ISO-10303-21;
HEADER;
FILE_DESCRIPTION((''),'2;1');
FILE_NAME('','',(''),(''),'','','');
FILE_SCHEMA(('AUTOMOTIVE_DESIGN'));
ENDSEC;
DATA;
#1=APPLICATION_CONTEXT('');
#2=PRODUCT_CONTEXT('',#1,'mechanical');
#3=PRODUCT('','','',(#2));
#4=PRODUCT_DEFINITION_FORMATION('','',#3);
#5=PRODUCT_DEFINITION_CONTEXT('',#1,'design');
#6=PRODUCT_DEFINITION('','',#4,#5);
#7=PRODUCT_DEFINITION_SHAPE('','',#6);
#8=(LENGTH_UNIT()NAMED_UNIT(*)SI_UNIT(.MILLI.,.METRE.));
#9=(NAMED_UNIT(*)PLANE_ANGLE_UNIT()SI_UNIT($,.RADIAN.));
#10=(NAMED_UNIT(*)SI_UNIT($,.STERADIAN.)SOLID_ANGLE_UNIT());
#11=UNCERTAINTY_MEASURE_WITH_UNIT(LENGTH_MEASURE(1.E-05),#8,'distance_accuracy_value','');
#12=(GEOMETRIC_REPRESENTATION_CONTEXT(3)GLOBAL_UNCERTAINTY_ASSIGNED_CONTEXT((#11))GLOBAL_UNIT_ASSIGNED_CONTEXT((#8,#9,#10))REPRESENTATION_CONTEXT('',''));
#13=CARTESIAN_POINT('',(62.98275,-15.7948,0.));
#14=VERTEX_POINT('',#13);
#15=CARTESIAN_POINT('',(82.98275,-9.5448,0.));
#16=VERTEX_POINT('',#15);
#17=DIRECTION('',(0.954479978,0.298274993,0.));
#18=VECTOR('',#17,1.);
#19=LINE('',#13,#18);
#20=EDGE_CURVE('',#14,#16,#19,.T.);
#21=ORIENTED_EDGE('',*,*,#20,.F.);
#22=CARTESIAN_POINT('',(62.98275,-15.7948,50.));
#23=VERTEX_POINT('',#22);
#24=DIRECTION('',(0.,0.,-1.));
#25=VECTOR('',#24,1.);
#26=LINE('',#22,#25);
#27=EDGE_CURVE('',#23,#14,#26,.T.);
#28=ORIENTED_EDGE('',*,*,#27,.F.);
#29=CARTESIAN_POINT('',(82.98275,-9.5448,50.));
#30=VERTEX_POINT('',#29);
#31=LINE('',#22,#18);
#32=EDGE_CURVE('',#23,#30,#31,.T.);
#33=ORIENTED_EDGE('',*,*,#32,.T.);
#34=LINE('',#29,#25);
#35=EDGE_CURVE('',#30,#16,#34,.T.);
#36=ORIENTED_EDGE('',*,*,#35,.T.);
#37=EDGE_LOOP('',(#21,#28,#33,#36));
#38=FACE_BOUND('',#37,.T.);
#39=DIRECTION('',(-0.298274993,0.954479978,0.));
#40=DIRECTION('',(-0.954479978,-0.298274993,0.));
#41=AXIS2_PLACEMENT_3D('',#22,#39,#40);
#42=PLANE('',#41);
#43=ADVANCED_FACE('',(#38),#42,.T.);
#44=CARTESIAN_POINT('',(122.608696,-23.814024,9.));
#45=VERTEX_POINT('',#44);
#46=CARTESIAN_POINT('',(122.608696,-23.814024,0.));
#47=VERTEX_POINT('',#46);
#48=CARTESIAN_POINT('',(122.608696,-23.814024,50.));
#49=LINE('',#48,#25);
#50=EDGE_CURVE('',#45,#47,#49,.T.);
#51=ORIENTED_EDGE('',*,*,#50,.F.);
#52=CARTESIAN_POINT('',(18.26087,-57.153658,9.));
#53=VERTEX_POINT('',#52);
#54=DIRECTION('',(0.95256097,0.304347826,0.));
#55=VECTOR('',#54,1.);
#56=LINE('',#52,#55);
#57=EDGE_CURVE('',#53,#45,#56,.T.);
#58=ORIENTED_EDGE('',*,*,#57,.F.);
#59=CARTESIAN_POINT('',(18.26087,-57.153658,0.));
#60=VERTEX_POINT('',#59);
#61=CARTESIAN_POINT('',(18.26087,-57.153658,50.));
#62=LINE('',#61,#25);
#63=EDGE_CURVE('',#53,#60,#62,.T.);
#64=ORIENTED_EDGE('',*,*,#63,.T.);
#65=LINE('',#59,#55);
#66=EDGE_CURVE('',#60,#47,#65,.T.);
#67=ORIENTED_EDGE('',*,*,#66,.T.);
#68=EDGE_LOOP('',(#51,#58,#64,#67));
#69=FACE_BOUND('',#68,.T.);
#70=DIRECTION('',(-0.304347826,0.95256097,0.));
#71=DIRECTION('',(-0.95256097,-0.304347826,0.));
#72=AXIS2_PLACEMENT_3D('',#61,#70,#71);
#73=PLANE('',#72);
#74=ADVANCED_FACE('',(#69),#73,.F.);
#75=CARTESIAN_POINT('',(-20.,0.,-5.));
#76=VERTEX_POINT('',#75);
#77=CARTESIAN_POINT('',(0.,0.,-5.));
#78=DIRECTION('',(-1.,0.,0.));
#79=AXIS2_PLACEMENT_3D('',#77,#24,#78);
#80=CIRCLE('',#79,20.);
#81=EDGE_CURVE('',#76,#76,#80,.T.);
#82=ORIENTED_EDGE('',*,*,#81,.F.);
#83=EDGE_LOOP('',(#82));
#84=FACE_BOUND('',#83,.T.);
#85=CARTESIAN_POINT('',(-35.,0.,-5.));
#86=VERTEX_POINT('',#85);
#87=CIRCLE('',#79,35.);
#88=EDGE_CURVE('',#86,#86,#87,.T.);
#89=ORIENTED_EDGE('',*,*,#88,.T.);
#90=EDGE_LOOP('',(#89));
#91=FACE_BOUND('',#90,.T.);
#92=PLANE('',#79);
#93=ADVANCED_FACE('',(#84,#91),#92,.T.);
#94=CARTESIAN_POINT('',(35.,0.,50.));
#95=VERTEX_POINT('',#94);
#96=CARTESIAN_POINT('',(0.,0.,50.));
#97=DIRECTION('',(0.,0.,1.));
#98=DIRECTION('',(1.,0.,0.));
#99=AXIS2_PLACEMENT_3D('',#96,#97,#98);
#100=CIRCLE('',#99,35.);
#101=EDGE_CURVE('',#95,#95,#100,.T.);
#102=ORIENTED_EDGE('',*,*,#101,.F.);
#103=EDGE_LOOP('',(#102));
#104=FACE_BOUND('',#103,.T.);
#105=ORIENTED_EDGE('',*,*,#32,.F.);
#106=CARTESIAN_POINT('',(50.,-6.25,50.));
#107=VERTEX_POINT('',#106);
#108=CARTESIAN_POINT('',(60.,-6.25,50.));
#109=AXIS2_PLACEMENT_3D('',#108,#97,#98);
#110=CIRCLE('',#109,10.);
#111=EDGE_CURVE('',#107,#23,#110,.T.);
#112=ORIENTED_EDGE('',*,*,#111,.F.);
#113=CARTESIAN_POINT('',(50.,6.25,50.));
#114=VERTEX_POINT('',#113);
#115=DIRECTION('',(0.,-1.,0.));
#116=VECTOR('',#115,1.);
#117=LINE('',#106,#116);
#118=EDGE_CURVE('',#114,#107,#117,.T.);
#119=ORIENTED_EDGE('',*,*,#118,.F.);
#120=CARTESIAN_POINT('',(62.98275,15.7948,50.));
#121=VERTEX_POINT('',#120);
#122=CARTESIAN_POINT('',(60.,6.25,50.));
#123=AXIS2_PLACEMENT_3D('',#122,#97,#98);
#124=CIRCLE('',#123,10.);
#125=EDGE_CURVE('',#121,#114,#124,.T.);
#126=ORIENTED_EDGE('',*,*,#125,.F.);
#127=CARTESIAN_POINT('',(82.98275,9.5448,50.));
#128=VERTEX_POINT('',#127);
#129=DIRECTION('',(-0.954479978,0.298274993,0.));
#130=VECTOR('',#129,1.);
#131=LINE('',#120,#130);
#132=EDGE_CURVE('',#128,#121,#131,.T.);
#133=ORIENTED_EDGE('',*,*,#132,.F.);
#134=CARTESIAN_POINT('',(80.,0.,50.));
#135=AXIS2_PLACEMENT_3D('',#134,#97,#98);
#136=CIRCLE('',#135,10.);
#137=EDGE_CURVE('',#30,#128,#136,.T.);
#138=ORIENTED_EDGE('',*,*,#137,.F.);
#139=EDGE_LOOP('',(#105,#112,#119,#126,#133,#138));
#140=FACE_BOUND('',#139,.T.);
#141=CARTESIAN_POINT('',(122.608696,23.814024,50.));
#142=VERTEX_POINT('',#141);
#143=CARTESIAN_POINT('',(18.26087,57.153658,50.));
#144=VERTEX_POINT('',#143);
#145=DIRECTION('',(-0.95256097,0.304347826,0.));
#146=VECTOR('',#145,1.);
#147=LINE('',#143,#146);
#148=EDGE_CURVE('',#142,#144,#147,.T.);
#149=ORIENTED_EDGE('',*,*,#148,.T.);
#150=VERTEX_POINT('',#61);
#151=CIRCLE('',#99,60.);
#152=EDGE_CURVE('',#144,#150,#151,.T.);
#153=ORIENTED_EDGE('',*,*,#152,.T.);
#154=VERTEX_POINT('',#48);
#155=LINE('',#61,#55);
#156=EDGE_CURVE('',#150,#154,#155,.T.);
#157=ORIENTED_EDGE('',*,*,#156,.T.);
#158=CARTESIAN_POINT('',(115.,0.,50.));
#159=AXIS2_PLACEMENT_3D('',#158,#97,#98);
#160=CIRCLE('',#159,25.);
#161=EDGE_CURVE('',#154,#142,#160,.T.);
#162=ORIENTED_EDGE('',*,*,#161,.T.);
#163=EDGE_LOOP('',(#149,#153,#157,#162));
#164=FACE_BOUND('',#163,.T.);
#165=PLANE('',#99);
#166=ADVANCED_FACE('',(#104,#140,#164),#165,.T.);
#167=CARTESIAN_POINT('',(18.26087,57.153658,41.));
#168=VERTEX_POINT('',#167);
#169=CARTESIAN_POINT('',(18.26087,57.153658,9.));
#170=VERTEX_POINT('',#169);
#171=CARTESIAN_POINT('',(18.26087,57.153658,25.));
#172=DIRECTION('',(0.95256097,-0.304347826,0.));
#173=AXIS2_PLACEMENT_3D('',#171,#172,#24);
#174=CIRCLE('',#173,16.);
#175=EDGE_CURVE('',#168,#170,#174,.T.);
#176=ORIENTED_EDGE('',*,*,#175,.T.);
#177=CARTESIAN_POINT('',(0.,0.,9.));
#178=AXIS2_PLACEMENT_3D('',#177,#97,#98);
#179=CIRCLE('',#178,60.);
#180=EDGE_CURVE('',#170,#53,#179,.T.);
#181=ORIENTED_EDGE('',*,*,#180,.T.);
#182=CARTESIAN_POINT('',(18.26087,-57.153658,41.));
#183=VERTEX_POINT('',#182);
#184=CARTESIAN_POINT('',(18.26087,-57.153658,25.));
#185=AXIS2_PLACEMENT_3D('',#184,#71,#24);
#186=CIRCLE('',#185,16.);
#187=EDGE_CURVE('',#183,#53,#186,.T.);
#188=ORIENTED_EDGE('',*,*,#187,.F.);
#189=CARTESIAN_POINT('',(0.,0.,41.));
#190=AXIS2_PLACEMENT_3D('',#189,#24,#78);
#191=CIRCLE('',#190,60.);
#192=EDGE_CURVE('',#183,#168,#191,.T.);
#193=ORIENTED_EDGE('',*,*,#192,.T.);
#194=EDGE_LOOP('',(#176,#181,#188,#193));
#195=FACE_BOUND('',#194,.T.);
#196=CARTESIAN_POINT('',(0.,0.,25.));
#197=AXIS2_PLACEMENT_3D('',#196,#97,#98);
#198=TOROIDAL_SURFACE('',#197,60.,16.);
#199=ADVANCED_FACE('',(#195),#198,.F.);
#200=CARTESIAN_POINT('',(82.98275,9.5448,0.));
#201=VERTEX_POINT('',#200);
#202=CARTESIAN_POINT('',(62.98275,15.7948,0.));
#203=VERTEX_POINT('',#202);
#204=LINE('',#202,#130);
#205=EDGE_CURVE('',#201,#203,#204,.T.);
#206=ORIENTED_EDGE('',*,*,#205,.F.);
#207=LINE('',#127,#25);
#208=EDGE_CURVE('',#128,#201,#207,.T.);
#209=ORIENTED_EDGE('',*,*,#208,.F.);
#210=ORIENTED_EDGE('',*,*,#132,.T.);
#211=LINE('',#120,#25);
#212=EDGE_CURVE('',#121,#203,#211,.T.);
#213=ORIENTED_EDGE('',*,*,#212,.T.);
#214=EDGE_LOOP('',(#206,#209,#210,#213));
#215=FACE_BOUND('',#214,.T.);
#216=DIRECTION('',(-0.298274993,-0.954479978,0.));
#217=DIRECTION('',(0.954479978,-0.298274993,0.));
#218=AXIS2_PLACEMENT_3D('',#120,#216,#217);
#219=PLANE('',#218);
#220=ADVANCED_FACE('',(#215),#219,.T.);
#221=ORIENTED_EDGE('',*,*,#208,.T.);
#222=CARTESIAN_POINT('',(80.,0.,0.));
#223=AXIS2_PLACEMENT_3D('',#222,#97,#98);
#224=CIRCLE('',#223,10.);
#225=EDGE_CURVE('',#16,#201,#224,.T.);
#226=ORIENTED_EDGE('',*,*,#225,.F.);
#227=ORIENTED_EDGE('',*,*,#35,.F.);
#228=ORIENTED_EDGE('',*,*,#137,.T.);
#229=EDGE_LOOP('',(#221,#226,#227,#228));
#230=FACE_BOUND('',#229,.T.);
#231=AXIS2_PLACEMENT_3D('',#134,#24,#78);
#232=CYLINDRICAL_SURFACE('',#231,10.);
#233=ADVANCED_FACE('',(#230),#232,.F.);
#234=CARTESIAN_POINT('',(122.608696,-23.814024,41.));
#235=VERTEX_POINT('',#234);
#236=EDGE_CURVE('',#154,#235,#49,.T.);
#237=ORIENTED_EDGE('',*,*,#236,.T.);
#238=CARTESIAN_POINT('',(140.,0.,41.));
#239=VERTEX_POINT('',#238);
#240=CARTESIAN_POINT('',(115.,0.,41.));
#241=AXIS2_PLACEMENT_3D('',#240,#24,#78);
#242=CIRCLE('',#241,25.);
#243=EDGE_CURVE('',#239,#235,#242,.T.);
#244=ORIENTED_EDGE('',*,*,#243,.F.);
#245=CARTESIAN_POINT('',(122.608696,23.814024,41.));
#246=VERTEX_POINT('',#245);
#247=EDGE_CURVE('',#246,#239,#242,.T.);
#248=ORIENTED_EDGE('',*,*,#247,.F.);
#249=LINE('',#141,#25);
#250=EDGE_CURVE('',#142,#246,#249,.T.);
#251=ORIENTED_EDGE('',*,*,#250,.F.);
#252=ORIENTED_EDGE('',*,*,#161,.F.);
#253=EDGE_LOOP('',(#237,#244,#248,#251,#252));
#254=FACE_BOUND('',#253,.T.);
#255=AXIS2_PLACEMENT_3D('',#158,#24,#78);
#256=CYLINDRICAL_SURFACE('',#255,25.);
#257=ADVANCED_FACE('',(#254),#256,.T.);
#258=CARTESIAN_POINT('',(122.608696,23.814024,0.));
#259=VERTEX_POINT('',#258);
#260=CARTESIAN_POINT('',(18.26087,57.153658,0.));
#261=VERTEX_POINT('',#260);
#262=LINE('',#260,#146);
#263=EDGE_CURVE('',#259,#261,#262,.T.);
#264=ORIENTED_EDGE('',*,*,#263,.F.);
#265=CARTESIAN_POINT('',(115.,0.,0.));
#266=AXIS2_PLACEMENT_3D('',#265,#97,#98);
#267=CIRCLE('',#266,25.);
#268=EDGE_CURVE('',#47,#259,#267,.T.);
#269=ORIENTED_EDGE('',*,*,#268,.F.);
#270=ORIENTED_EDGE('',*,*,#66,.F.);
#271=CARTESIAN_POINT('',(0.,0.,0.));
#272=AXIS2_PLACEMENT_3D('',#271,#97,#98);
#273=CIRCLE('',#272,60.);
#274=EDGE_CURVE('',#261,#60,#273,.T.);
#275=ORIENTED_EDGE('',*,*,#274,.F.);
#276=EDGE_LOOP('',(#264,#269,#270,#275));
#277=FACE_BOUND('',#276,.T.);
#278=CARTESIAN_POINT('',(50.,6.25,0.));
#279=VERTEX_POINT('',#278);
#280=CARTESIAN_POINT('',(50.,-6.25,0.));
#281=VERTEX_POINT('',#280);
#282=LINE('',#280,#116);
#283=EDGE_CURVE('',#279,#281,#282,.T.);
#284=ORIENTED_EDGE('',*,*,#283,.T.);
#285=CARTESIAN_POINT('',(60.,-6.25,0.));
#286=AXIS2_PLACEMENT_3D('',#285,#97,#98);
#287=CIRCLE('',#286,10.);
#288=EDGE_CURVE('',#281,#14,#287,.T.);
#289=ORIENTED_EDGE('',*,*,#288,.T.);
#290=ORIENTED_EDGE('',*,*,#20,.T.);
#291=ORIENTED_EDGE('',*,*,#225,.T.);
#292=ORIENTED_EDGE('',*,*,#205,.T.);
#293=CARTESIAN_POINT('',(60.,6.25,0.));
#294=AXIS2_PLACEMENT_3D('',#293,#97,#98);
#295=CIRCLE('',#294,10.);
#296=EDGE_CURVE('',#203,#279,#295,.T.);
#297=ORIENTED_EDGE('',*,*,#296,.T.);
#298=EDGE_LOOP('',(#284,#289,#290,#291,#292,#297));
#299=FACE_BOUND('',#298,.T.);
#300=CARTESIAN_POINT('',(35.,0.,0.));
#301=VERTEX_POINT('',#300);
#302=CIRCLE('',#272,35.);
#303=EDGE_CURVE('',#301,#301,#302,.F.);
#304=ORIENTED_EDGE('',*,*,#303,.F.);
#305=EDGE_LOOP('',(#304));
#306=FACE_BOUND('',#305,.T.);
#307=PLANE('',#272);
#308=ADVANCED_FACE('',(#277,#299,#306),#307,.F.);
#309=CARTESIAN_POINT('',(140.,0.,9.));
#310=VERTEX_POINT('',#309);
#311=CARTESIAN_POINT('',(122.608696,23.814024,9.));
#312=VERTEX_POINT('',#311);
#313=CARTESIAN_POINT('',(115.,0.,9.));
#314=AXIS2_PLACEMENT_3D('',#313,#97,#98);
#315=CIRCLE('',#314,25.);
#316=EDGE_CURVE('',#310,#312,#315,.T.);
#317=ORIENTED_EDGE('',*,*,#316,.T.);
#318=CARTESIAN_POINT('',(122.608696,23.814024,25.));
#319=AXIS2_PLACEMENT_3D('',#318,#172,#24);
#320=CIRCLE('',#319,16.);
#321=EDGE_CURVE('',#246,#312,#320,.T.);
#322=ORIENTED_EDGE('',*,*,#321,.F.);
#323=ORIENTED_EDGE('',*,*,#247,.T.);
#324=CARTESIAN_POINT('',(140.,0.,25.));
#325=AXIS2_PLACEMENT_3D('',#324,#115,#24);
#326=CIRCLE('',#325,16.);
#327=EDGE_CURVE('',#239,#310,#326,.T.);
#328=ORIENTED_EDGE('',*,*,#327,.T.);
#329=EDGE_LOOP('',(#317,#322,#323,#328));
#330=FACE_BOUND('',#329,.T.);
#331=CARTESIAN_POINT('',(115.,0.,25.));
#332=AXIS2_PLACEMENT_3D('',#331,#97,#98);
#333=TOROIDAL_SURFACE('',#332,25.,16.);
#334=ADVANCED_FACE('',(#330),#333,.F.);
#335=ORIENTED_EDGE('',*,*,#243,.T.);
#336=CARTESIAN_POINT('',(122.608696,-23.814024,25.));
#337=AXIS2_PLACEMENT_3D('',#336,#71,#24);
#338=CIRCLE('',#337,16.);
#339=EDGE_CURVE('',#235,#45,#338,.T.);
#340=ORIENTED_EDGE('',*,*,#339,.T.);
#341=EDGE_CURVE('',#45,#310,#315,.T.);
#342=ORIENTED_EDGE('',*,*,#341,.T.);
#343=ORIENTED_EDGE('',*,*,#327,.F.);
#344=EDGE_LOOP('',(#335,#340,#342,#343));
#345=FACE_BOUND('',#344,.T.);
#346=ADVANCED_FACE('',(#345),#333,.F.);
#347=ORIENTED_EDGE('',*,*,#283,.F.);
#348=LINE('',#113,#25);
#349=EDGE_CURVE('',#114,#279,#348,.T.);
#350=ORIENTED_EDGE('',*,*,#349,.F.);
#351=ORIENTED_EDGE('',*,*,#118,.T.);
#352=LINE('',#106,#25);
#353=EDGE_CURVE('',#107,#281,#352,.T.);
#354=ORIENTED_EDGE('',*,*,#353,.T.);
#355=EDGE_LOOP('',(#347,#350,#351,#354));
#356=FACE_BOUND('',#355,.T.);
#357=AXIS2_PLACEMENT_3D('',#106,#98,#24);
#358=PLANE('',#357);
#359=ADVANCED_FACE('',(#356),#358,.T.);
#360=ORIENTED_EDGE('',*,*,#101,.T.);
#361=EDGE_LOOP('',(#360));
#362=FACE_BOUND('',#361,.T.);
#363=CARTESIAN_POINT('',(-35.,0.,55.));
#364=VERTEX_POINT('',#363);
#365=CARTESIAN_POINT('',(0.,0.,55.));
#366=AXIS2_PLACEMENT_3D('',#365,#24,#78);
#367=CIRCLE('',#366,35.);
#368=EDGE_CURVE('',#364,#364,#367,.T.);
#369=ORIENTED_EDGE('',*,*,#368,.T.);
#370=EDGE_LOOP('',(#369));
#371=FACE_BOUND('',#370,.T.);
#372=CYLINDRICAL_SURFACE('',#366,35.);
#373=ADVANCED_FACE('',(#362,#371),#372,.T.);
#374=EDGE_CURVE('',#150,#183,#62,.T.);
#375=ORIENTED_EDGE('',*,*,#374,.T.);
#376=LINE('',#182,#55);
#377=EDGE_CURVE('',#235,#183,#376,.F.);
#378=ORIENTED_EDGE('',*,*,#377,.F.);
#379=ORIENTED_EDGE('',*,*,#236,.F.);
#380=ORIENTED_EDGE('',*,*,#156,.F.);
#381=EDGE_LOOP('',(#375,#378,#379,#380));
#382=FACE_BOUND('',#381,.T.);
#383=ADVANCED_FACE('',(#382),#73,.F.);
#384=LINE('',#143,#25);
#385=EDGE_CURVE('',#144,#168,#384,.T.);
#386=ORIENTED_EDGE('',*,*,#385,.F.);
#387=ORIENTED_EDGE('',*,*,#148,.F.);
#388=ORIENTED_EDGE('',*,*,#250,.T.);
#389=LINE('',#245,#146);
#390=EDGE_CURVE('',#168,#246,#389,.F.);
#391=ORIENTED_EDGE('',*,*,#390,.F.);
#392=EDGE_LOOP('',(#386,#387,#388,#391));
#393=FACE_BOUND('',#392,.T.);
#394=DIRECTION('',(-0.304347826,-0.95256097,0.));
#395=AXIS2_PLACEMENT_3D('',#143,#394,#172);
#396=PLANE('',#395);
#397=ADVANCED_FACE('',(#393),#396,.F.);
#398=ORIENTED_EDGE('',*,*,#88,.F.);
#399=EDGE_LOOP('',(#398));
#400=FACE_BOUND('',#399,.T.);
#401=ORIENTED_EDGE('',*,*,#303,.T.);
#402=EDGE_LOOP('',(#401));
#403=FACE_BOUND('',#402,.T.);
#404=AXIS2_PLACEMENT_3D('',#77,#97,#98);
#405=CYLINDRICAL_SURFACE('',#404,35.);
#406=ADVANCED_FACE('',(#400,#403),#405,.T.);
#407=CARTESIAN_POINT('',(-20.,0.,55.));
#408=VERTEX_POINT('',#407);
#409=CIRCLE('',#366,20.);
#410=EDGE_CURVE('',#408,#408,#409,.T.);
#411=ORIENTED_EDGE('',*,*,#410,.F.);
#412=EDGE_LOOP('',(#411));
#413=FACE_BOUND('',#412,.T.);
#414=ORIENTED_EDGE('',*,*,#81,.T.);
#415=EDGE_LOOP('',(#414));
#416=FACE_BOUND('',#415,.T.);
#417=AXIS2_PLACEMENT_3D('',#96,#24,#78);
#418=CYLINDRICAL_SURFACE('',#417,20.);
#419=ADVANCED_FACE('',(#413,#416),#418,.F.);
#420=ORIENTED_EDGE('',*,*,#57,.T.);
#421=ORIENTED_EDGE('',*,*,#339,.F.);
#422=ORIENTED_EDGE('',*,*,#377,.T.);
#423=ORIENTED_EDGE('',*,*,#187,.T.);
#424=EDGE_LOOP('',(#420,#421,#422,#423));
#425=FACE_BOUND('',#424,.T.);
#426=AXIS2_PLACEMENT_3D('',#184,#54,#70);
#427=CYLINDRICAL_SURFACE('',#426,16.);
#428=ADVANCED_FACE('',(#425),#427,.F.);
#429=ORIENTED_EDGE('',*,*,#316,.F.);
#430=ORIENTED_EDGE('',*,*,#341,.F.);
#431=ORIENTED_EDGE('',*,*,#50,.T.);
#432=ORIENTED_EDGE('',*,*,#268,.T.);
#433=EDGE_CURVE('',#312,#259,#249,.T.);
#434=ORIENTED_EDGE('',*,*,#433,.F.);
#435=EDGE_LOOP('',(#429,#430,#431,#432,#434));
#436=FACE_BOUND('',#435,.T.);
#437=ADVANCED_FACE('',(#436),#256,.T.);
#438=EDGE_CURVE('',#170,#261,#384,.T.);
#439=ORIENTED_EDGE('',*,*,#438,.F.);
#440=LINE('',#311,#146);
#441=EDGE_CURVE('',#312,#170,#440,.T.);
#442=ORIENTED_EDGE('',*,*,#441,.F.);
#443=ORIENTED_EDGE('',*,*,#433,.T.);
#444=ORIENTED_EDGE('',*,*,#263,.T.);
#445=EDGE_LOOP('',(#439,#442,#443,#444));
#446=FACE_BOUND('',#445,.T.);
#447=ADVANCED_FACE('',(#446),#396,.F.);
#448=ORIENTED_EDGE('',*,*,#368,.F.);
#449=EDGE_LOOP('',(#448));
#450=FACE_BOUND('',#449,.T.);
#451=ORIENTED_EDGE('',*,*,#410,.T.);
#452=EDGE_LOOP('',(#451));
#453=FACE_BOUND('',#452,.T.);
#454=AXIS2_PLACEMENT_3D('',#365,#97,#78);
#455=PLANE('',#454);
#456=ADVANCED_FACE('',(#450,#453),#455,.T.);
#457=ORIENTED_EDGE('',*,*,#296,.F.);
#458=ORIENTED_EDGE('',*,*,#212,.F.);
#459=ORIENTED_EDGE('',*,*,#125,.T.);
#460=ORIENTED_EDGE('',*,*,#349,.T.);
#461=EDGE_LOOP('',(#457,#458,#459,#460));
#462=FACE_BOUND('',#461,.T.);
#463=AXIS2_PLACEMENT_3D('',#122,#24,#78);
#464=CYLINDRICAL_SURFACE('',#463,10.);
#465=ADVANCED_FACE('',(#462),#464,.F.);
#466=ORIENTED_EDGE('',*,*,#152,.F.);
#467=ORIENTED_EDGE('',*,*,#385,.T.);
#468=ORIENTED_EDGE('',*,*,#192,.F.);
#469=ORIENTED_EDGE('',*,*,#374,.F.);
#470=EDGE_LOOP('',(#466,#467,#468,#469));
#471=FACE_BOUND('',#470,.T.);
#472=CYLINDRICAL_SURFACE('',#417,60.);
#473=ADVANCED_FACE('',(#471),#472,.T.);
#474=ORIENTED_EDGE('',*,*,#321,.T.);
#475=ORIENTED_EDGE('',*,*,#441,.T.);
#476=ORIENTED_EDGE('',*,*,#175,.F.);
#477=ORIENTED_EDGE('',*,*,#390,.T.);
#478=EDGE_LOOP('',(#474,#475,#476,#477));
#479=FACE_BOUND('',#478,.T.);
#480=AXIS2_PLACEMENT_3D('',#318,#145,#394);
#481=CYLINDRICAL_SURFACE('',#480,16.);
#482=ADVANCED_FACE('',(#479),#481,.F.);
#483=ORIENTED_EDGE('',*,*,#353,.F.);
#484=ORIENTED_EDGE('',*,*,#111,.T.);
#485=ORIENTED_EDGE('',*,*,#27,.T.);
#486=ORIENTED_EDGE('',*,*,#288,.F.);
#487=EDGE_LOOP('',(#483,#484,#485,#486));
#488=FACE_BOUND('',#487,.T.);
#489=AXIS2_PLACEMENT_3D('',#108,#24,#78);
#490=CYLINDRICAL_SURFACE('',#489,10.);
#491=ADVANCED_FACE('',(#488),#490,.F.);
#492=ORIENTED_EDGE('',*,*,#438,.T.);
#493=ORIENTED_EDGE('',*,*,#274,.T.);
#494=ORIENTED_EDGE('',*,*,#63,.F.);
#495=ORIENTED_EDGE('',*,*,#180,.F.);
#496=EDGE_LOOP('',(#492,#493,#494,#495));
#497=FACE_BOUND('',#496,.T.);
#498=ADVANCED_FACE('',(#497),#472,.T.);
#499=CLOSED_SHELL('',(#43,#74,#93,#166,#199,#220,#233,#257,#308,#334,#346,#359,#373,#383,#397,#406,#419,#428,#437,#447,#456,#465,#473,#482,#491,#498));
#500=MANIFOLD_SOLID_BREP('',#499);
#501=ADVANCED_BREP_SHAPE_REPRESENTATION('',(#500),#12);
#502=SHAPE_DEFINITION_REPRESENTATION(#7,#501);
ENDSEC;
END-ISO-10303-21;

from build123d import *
from build123d.topology import SkipClean

# Parameters (mm, degrees)
SKETCH_1_R      = 20
EXTRUDE_1_DEPTH = 50
EXTRUDE_START   = 5
SKETCH_2_R      = 35
SKETCH_2_R_2    = 20
EXTRUDE_2_DEPTH = 5
SKETCH_3_R      = 16


with BuildPart() as part:
    # 草图1 → 凸台-拉伸1 (new body)
    with BuildSketch(Plane.XY):
        with BuildLine():
            Line((18.260869565, 57.153658174), (122.608695652, 23.814024239))
            ThreePointArc((122.608695652, 23.814024239), (140, 0), (122.608695652, -23.814024239))
            Line((122.608695652, -23.814024239), (18.260869565, -57.153658174))
            ThreePointArc((18.260869565, -57.153658174), (-60, 0), (18.260869565, 57.153658174))
        make_face()
        Circle(SKETCH_1_R, mode=Mode.SUBTRACT)
        with BuildLine():
            Line((50, -6.25), (50, 6.25))
            ThreePointArc((50, 6.25), (54.076635218, 14.306906953), (62.982749931, 15.79479978))
            Line((62.982749931, 15.79479978), (82.982749931, 9.54479978))
            ThreePointArc((82.982749931, 9.54479978), (90, 0), (82.982749931, -9.54479978))
            Line((82.982749931, -9.54479978), (62.982749931, -15.79479978))
            ThreePointArc((62.982749931, -15.79479978), (54.076635218, -14.306906953), (50, -6.25))
        make_face(mode=Mode.SUBTRACT)
    extrude(amount=EXTRUDE_1_DEPTH)

    # 草图2 → 凸台-拉伸2 (add)
    with SkipClean():  # the faces are left unmerged after this step: merging them gives an invalid solid
        with BuildSketch(Plane(origin=(0, 0, 0), x_dir=(-1, 0, 0), z_dir=(0, 0, -1)).offset(EXTRUDE_START)):
            with Locations(Location((0, 0, 0), (0, 0, 180))):
                Circle(SKETCH_2_R)
            Circle(SKETCH_2_R_2, mode=Mode.SUBTRACT)
        extrude_2 = extrude(amount=-EXTRUDE_2_DEPTH)

    # 镜向1: 凸台-拉伸2 across plane
    add(extrude_2.mirror(Plane(origin=(0, 0, 25), x_dir=(1, 0, 0), z_dir=(0, 0, -1))))

    # 切除-扫描1: sweep along a path in 草图6
    with BuildLine(Plane(origin=(0, 0, 25), x_dir=(-1, 0, 0), z_dir=(0, 0, -1))) as sweep_1_path:
        Line((-122.608695652, 23.814024239), (-18.260869565, 57.153658174))
        ThreePointArc((-18.260869565, 57.153658174), (60, 0), (-18.260869565, -57.153658174))
        Line((-18.260869565, -57.153658174), (-122.608695652, -23.814024239))
        ThreePointArc((-122.608695652, -23.814024239), (-140, 0), (-122.608695652, 23.814024239))
    # 草图3 → 切除-扫描1 (sweep, cut)
    with BuildSketch(Plane(origin=(0, 0, 0), x_dir=(-1, 0, 0), z_dir=(0, -1, 0))):
        with Locations((-140, -25)):
            Circle(SKETCH_3_R)
    sweep(path=sweep_1_path.line, mode=Mode.SUBTRACT)


solid = part.part
